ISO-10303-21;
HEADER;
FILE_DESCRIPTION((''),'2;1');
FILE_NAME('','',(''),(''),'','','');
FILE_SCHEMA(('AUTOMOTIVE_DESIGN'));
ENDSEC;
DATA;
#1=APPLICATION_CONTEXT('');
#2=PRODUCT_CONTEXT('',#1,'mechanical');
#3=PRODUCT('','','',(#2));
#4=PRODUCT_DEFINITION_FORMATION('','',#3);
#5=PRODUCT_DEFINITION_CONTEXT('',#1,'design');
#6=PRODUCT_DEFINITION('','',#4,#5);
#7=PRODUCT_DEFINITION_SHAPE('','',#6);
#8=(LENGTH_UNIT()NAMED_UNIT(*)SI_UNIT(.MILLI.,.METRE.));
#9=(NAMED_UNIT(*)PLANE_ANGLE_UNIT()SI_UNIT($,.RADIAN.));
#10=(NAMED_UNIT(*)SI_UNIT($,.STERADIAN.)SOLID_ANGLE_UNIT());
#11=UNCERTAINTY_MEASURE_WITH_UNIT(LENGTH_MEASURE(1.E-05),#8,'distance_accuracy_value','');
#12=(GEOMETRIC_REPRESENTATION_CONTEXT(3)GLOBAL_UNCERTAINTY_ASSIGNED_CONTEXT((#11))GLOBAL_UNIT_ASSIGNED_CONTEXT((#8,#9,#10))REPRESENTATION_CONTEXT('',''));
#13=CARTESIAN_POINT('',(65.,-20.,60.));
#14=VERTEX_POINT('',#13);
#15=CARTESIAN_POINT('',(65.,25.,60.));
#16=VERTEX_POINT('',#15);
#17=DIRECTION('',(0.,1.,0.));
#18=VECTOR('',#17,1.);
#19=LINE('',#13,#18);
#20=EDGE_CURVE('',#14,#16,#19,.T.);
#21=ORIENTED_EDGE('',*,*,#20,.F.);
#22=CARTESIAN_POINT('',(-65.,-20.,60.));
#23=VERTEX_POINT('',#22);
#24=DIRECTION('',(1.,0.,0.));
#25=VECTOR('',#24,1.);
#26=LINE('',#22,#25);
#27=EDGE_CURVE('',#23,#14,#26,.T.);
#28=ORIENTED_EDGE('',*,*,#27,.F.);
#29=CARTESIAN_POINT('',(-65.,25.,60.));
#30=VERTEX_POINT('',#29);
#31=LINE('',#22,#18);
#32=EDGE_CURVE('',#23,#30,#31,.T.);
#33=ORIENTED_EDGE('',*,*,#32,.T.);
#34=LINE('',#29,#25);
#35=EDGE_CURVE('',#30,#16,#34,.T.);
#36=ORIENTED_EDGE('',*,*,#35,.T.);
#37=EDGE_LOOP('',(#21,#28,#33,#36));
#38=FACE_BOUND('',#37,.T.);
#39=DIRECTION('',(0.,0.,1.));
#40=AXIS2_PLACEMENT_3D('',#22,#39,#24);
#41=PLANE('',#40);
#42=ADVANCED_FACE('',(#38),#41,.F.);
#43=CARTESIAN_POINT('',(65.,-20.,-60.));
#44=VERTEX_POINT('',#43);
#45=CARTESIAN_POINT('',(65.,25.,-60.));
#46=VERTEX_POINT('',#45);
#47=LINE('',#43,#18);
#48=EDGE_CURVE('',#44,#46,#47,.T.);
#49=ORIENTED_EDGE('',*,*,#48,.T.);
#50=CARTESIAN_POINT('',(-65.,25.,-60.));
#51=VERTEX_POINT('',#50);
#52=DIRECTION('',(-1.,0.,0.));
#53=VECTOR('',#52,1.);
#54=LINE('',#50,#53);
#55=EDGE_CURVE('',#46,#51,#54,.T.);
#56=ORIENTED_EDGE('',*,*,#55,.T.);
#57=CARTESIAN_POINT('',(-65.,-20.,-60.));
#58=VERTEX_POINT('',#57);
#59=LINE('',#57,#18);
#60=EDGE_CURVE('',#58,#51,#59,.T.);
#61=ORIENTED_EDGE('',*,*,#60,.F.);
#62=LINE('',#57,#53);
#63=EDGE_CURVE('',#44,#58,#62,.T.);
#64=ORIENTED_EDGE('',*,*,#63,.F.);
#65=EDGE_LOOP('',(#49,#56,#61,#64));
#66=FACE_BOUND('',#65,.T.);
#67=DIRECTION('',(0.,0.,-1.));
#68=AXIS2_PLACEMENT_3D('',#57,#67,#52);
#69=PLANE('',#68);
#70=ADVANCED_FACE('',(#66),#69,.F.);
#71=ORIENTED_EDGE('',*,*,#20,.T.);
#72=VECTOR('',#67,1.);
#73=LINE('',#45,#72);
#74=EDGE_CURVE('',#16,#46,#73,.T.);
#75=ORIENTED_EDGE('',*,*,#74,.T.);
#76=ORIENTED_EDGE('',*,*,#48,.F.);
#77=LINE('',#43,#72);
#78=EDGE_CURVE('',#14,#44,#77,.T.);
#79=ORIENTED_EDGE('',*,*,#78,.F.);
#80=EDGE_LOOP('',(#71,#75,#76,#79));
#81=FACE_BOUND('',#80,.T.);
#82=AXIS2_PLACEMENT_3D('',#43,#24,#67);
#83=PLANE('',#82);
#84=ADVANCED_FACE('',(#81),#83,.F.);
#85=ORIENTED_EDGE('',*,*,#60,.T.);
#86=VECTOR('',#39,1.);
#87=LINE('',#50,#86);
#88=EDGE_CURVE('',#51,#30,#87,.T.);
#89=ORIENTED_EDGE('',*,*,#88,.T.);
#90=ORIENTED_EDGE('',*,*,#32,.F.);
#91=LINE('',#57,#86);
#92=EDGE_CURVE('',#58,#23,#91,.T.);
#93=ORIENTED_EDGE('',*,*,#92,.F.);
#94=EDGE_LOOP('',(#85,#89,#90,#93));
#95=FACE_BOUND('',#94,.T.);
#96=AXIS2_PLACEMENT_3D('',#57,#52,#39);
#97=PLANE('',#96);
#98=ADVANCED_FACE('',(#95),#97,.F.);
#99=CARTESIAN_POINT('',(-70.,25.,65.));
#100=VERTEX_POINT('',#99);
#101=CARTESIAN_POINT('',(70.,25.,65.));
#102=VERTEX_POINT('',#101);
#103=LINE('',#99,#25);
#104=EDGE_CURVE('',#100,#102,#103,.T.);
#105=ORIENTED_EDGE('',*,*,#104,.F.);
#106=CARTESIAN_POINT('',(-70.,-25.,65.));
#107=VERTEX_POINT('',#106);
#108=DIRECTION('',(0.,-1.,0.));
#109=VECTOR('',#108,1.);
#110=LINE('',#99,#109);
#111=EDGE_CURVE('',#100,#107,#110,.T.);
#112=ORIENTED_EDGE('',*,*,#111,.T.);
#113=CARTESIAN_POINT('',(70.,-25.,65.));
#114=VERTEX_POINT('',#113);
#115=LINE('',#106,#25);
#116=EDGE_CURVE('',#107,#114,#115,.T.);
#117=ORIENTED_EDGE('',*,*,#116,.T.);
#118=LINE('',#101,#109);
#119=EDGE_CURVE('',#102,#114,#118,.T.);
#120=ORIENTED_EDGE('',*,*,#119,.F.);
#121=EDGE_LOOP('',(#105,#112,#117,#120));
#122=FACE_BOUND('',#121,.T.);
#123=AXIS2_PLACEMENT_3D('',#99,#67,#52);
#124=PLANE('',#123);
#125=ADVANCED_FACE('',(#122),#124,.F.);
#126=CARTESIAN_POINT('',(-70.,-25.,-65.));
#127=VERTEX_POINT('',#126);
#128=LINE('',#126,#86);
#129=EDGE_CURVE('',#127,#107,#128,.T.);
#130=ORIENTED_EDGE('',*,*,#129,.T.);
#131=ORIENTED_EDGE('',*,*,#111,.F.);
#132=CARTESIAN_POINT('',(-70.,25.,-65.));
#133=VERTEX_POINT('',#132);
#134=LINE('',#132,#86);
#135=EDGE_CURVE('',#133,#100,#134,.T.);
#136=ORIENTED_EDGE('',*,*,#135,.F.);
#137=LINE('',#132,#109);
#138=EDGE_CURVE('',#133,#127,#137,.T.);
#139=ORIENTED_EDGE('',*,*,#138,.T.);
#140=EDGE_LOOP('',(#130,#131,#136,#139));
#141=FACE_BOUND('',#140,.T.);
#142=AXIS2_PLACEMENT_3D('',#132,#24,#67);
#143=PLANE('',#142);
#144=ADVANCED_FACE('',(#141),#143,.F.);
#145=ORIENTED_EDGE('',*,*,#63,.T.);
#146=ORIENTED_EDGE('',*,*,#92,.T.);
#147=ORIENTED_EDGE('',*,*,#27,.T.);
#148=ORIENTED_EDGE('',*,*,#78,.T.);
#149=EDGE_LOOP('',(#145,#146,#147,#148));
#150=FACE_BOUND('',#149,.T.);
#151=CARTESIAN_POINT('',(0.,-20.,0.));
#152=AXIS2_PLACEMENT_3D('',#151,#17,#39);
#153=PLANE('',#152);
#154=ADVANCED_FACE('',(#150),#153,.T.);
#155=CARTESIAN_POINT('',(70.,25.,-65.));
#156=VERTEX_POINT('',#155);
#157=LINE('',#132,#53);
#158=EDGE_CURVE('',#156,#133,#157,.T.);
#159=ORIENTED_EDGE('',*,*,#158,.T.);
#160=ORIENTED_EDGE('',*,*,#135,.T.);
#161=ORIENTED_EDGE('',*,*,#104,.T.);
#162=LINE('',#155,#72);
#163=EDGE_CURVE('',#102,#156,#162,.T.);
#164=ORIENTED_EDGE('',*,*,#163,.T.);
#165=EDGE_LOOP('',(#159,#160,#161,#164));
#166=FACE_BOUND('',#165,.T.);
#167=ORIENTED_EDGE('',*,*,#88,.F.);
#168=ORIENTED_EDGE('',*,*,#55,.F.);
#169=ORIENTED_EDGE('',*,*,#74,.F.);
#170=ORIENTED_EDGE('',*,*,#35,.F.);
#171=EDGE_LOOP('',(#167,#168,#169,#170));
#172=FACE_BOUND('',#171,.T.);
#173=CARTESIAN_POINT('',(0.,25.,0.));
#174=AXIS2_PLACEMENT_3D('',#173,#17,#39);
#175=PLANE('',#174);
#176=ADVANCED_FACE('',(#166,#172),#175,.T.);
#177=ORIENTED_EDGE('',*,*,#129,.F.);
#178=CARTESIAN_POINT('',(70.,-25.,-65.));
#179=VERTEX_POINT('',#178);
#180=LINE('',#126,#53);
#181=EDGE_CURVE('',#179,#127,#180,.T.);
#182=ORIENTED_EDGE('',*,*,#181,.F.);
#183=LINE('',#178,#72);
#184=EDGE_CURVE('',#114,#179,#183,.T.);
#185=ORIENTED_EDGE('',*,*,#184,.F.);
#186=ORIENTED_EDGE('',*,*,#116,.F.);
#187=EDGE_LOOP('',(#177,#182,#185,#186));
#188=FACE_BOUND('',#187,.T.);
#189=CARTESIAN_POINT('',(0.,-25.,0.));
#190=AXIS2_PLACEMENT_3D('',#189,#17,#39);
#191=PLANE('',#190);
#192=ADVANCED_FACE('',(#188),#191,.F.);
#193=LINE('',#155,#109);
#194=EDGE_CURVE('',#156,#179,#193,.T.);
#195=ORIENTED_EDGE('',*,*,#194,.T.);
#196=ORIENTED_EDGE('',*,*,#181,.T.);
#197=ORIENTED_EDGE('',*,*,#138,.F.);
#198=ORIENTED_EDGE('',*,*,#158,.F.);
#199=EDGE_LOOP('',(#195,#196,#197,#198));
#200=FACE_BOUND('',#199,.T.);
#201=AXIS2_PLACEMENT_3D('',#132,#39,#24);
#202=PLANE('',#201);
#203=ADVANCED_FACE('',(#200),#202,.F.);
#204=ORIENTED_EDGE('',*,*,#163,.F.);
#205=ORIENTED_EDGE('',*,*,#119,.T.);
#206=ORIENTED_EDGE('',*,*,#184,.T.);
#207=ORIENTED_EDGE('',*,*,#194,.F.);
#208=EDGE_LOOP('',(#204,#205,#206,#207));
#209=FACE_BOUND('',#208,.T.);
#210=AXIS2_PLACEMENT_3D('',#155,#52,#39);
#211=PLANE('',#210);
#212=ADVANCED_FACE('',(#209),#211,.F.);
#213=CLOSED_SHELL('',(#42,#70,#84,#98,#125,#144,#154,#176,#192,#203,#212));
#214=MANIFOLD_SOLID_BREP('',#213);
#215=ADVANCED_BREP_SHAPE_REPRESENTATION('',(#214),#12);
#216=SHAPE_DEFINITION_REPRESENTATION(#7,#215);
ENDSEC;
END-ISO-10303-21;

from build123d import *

# Parameters (mm, degrees)
SKETCH_1_W          = 140
SKETCH_1_H          = 130
EXTRUDE_2_DEPTH     = 25
SKETCH_4_W          = 130
SKETCH_4_H          = 120
CUT_EXTRUDE_1_DEPTH = 45


with BuildPart() as part:
    # 草圖1 → 填料-伸長2 (new, symmetric)
    with BuildSketch(Plane(origin=(0, 0, 0), x_dir=(1, 0, 0), z_dir=(0, 1, 0))):
        Rectangle(SKETCH_1_W, SKETCH_1_H)
    extrude(amount=EXTRUDE_2_DEPTH, both=True)

    # 草圖4 → 除料-伸長1 (cut)
    with BuildSketch(Plane(origin=(0, 25, 0), x_dir=(1, 0, 0), z_dir=(0, 1, 0))):
        Rectangle(SKETCH_4_W, SKETCH_4_H)
    extrude(amount=-CUT_EXTRUDE_1_DEPTH, mode=Mode.SUBTRACT)


solid = part.part
